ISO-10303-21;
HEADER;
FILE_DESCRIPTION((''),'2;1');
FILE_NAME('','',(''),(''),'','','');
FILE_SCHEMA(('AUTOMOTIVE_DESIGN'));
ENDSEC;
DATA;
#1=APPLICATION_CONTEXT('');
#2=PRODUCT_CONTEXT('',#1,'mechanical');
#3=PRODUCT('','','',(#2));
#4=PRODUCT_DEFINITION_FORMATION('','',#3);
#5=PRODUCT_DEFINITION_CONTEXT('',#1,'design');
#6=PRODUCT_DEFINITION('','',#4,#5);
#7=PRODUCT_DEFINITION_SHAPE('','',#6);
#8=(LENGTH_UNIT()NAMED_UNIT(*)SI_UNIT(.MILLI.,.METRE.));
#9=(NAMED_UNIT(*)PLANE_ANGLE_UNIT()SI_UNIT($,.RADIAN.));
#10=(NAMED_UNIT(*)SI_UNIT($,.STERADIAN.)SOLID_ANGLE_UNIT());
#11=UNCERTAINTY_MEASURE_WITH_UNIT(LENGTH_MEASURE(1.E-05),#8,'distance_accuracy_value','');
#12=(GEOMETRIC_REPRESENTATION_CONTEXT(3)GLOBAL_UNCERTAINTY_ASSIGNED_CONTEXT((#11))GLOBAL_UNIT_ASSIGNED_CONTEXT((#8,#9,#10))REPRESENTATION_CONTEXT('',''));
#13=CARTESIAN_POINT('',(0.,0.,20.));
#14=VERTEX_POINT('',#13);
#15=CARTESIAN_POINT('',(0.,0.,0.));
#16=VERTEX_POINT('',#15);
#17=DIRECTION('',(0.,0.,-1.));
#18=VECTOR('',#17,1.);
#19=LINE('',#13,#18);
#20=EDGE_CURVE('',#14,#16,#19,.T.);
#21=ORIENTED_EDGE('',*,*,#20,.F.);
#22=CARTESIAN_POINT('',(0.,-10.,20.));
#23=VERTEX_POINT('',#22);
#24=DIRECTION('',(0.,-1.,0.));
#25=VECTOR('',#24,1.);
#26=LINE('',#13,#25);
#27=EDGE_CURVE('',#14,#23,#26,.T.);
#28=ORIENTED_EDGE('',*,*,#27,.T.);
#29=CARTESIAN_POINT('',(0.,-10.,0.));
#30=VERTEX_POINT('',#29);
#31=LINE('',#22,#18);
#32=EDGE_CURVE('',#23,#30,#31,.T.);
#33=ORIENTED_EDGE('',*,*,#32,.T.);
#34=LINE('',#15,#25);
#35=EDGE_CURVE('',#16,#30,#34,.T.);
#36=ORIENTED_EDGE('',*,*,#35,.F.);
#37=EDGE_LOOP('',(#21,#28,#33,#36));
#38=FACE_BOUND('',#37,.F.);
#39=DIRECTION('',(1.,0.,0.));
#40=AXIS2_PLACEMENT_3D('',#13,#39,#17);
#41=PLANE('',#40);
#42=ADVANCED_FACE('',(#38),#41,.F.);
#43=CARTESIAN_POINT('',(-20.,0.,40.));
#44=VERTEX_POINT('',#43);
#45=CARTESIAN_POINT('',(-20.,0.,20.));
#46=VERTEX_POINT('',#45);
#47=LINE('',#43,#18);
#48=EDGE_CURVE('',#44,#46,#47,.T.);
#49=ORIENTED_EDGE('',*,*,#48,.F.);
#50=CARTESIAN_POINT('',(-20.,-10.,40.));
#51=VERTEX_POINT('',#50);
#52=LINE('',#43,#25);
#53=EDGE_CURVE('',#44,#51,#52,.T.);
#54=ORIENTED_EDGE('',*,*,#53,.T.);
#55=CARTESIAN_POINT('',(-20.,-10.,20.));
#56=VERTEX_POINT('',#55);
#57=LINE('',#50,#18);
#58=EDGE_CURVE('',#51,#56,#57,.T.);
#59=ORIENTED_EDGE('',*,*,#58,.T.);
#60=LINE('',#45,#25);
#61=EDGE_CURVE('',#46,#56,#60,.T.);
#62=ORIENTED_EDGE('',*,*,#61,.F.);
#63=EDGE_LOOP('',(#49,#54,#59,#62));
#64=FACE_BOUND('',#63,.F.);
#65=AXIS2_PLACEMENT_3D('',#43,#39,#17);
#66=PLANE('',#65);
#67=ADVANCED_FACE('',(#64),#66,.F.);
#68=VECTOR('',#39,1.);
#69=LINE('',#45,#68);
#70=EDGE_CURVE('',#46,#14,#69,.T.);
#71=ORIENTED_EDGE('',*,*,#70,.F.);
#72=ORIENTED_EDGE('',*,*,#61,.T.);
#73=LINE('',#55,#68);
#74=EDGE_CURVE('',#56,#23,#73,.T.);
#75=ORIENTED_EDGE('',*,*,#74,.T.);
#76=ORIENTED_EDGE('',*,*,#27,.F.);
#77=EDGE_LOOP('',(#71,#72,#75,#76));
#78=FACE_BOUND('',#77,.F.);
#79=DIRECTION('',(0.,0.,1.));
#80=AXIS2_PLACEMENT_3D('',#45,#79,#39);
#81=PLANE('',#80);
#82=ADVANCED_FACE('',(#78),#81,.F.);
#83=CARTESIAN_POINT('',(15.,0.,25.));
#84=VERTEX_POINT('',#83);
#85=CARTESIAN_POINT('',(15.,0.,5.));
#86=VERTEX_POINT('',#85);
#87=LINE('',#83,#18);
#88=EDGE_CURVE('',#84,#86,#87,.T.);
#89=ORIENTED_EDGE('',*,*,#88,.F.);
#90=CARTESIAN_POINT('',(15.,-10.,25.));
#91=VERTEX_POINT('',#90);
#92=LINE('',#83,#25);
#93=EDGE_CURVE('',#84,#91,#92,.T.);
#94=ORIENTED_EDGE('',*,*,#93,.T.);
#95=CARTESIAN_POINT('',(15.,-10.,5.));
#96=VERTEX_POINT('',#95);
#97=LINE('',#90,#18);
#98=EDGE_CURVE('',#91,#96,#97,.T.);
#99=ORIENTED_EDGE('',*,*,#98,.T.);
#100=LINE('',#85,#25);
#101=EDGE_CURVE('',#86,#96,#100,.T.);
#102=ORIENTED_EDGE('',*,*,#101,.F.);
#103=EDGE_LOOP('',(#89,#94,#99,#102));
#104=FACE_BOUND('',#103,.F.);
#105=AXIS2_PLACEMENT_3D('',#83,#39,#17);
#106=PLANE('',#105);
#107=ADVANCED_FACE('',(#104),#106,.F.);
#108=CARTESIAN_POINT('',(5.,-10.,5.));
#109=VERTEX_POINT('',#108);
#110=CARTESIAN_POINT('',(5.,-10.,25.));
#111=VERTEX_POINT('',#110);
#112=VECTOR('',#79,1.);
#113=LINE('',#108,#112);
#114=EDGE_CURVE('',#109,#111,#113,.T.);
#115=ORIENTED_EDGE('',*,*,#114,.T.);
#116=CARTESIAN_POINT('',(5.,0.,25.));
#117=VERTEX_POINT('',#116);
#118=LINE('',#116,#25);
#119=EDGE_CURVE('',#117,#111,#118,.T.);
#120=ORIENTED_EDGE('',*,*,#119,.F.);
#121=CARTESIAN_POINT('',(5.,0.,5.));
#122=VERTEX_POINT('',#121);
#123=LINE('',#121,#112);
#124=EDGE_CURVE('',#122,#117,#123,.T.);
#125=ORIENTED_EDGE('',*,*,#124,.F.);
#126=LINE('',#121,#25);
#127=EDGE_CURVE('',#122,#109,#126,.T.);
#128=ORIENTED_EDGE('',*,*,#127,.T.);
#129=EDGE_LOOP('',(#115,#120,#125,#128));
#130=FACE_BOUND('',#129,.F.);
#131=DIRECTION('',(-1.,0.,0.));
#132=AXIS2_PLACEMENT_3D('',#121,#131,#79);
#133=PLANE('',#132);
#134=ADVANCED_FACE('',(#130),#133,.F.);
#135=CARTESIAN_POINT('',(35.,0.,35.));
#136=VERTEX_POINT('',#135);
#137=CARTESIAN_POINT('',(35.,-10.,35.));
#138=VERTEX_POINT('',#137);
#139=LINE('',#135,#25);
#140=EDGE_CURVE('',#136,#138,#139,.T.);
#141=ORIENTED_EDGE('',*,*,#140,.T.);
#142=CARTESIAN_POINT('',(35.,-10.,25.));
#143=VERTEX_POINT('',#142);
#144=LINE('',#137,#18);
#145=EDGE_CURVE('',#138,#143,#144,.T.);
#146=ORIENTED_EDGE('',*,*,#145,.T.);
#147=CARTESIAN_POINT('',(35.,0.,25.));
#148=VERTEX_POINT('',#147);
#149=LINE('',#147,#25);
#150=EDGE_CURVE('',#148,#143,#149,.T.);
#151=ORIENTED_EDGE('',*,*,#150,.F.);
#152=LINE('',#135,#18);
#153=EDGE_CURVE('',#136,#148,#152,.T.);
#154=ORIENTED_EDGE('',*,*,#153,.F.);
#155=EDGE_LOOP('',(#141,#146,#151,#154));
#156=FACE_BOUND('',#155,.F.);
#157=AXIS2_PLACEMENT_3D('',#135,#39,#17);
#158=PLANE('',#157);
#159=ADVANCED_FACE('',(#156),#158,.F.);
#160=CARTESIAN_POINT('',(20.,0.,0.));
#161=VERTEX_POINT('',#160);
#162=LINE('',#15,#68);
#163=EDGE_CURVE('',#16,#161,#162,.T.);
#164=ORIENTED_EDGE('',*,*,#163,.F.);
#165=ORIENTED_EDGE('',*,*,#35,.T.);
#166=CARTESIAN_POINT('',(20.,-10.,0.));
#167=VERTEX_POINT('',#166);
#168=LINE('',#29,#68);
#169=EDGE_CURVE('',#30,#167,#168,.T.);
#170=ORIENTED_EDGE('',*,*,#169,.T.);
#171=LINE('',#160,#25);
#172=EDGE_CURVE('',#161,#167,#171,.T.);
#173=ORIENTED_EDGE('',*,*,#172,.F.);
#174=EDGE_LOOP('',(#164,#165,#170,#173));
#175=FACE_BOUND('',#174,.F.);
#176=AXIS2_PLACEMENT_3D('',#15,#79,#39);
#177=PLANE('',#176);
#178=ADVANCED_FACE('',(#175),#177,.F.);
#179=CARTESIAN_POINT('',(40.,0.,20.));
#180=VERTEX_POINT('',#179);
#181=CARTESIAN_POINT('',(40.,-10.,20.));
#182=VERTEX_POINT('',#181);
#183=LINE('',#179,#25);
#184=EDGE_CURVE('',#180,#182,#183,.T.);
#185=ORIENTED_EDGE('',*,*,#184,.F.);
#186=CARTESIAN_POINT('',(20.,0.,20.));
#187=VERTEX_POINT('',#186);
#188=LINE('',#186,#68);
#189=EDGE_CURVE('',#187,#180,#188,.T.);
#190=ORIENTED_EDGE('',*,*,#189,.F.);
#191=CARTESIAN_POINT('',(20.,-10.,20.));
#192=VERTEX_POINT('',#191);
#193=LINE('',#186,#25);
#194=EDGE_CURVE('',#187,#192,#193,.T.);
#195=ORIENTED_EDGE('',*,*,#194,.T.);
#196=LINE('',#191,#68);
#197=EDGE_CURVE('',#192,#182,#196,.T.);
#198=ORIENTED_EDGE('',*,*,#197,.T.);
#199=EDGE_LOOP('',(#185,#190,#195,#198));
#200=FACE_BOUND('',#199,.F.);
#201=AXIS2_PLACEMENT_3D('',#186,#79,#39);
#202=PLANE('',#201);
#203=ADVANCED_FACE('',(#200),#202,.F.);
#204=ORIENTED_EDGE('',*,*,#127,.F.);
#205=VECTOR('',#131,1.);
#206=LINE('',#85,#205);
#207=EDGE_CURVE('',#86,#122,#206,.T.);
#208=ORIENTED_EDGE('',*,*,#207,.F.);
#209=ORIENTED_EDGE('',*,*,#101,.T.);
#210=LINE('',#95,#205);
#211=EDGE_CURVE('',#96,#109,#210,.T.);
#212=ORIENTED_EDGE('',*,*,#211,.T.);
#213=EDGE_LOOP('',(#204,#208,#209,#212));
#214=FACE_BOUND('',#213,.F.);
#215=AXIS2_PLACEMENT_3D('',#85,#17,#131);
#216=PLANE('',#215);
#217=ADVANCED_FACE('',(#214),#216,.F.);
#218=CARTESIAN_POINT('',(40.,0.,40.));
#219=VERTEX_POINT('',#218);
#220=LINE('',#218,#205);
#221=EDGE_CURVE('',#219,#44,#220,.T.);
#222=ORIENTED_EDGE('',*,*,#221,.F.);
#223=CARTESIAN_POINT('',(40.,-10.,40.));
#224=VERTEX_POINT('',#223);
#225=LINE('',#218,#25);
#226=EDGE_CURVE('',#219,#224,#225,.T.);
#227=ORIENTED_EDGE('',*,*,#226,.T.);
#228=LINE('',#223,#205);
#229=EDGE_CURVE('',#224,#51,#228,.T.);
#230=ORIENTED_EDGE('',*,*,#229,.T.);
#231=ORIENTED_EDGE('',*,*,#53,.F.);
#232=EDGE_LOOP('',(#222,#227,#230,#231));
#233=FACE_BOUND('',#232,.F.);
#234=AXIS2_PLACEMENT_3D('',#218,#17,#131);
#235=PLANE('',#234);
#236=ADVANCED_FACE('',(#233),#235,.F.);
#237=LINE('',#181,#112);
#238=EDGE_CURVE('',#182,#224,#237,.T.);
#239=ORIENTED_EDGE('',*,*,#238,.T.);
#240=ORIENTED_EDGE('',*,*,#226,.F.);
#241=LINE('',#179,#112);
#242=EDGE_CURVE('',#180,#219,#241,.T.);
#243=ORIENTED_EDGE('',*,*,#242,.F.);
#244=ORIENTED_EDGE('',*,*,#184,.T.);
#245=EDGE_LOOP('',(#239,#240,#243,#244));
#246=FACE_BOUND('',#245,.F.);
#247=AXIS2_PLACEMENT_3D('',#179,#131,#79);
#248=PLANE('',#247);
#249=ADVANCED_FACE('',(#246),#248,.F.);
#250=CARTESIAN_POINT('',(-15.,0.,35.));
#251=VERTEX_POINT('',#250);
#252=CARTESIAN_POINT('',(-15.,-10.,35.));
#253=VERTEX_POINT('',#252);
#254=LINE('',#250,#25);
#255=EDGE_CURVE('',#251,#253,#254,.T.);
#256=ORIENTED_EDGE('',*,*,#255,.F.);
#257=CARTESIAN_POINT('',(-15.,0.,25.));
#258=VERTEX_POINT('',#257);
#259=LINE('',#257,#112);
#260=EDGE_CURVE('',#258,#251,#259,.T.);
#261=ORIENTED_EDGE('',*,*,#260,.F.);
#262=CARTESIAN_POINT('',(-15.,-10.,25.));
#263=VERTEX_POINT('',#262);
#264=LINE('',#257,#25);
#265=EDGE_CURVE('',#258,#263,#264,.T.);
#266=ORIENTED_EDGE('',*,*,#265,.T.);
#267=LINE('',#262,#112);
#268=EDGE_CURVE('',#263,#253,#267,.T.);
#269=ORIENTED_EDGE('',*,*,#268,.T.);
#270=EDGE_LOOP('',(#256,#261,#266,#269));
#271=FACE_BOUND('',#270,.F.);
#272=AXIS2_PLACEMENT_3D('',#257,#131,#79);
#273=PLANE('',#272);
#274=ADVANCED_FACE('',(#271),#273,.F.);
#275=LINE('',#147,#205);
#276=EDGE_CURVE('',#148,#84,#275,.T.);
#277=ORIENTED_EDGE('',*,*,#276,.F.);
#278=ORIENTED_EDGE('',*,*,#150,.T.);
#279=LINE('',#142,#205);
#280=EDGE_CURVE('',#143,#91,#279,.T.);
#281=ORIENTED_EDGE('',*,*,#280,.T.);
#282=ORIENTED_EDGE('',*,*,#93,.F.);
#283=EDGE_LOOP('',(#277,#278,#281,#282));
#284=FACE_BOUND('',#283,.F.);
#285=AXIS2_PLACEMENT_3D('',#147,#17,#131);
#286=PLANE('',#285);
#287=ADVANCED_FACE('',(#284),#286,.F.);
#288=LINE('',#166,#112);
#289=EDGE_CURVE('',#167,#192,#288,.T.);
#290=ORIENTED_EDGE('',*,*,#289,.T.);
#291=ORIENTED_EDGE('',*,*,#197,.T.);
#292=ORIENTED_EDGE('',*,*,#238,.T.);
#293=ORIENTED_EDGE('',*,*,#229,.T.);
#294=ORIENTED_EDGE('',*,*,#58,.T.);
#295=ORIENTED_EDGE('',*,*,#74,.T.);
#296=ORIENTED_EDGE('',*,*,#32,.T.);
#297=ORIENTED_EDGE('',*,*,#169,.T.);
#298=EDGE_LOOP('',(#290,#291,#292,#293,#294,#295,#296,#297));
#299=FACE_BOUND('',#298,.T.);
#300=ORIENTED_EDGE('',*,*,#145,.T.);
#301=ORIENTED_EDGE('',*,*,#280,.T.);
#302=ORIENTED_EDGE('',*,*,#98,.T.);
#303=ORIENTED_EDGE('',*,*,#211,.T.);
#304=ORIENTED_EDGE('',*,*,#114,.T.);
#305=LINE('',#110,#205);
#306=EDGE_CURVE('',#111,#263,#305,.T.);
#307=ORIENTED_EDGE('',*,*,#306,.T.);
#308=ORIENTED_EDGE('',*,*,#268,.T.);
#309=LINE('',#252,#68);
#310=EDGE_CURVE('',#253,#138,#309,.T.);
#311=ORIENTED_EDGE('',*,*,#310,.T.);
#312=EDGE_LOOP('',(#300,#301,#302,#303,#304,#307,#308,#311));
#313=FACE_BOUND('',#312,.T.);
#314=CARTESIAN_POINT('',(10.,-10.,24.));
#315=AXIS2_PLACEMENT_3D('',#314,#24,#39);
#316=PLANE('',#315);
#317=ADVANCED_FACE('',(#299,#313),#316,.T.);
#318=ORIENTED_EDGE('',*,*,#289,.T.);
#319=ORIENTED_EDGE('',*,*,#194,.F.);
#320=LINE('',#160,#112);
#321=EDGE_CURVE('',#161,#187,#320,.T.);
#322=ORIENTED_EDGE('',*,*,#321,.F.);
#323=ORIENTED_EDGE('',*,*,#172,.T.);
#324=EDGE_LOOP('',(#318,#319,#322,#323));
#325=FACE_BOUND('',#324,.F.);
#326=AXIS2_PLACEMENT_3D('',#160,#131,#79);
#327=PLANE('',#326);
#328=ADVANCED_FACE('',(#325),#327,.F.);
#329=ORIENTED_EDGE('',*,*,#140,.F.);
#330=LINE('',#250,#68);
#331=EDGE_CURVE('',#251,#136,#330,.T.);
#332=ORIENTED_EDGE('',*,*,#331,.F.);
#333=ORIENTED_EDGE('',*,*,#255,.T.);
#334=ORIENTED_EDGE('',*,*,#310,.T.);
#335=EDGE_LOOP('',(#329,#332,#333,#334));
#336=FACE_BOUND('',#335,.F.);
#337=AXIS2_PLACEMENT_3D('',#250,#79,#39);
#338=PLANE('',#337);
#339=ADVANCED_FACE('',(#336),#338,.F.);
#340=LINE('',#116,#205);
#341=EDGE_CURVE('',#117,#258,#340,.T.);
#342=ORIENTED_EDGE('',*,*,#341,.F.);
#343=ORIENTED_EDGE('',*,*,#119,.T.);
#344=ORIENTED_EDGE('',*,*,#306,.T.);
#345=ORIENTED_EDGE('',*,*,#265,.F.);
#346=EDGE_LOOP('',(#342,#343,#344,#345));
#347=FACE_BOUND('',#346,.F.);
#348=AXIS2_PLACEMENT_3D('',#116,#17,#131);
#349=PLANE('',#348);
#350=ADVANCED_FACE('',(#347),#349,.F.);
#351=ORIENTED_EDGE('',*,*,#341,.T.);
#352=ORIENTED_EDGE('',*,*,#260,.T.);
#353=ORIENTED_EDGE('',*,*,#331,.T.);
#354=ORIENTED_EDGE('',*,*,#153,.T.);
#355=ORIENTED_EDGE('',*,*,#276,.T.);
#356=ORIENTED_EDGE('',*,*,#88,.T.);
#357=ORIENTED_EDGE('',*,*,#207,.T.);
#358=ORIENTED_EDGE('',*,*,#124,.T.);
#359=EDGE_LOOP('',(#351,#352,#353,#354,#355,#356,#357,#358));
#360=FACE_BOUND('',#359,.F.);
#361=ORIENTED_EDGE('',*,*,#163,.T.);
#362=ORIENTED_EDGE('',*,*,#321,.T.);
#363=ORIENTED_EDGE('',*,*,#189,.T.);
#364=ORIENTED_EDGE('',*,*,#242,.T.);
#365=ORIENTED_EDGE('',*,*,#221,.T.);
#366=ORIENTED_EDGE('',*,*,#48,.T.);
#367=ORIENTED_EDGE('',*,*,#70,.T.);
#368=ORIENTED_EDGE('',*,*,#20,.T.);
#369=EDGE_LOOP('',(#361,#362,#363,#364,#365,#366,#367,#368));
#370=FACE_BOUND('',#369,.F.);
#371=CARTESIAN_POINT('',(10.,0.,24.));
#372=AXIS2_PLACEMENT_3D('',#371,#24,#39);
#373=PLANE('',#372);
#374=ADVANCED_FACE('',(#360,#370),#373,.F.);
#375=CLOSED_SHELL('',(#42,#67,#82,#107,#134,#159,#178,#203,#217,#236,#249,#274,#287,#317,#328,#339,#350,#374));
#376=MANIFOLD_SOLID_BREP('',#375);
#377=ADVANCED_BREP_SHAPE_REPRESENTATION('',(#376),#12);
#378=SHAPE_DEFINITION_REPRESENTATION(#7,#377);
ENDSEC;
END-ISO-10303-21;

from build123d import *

# Parameters (mm, degrees)
F1_DEPTH = 10


with BuildPart() as f1:
    # F0 (on Front) → F1 (new body)
    with BuildSketch(Plane.XZ):
        Polygon((0, 20), (0, 0), (20, 0), (20, 20), (40, 20), (40, 40), (-20, 40), (-20, 20), align=None)
        Polygon((5, 25), (-15, 25), (-15, 35), (35, 35), (35, 25), (15, 25), (15, 5), (5, 5), align=None, mode=Mode.SUBTRACT)
    extrude(amount=F1_DEPTH)


solid = f1.part
